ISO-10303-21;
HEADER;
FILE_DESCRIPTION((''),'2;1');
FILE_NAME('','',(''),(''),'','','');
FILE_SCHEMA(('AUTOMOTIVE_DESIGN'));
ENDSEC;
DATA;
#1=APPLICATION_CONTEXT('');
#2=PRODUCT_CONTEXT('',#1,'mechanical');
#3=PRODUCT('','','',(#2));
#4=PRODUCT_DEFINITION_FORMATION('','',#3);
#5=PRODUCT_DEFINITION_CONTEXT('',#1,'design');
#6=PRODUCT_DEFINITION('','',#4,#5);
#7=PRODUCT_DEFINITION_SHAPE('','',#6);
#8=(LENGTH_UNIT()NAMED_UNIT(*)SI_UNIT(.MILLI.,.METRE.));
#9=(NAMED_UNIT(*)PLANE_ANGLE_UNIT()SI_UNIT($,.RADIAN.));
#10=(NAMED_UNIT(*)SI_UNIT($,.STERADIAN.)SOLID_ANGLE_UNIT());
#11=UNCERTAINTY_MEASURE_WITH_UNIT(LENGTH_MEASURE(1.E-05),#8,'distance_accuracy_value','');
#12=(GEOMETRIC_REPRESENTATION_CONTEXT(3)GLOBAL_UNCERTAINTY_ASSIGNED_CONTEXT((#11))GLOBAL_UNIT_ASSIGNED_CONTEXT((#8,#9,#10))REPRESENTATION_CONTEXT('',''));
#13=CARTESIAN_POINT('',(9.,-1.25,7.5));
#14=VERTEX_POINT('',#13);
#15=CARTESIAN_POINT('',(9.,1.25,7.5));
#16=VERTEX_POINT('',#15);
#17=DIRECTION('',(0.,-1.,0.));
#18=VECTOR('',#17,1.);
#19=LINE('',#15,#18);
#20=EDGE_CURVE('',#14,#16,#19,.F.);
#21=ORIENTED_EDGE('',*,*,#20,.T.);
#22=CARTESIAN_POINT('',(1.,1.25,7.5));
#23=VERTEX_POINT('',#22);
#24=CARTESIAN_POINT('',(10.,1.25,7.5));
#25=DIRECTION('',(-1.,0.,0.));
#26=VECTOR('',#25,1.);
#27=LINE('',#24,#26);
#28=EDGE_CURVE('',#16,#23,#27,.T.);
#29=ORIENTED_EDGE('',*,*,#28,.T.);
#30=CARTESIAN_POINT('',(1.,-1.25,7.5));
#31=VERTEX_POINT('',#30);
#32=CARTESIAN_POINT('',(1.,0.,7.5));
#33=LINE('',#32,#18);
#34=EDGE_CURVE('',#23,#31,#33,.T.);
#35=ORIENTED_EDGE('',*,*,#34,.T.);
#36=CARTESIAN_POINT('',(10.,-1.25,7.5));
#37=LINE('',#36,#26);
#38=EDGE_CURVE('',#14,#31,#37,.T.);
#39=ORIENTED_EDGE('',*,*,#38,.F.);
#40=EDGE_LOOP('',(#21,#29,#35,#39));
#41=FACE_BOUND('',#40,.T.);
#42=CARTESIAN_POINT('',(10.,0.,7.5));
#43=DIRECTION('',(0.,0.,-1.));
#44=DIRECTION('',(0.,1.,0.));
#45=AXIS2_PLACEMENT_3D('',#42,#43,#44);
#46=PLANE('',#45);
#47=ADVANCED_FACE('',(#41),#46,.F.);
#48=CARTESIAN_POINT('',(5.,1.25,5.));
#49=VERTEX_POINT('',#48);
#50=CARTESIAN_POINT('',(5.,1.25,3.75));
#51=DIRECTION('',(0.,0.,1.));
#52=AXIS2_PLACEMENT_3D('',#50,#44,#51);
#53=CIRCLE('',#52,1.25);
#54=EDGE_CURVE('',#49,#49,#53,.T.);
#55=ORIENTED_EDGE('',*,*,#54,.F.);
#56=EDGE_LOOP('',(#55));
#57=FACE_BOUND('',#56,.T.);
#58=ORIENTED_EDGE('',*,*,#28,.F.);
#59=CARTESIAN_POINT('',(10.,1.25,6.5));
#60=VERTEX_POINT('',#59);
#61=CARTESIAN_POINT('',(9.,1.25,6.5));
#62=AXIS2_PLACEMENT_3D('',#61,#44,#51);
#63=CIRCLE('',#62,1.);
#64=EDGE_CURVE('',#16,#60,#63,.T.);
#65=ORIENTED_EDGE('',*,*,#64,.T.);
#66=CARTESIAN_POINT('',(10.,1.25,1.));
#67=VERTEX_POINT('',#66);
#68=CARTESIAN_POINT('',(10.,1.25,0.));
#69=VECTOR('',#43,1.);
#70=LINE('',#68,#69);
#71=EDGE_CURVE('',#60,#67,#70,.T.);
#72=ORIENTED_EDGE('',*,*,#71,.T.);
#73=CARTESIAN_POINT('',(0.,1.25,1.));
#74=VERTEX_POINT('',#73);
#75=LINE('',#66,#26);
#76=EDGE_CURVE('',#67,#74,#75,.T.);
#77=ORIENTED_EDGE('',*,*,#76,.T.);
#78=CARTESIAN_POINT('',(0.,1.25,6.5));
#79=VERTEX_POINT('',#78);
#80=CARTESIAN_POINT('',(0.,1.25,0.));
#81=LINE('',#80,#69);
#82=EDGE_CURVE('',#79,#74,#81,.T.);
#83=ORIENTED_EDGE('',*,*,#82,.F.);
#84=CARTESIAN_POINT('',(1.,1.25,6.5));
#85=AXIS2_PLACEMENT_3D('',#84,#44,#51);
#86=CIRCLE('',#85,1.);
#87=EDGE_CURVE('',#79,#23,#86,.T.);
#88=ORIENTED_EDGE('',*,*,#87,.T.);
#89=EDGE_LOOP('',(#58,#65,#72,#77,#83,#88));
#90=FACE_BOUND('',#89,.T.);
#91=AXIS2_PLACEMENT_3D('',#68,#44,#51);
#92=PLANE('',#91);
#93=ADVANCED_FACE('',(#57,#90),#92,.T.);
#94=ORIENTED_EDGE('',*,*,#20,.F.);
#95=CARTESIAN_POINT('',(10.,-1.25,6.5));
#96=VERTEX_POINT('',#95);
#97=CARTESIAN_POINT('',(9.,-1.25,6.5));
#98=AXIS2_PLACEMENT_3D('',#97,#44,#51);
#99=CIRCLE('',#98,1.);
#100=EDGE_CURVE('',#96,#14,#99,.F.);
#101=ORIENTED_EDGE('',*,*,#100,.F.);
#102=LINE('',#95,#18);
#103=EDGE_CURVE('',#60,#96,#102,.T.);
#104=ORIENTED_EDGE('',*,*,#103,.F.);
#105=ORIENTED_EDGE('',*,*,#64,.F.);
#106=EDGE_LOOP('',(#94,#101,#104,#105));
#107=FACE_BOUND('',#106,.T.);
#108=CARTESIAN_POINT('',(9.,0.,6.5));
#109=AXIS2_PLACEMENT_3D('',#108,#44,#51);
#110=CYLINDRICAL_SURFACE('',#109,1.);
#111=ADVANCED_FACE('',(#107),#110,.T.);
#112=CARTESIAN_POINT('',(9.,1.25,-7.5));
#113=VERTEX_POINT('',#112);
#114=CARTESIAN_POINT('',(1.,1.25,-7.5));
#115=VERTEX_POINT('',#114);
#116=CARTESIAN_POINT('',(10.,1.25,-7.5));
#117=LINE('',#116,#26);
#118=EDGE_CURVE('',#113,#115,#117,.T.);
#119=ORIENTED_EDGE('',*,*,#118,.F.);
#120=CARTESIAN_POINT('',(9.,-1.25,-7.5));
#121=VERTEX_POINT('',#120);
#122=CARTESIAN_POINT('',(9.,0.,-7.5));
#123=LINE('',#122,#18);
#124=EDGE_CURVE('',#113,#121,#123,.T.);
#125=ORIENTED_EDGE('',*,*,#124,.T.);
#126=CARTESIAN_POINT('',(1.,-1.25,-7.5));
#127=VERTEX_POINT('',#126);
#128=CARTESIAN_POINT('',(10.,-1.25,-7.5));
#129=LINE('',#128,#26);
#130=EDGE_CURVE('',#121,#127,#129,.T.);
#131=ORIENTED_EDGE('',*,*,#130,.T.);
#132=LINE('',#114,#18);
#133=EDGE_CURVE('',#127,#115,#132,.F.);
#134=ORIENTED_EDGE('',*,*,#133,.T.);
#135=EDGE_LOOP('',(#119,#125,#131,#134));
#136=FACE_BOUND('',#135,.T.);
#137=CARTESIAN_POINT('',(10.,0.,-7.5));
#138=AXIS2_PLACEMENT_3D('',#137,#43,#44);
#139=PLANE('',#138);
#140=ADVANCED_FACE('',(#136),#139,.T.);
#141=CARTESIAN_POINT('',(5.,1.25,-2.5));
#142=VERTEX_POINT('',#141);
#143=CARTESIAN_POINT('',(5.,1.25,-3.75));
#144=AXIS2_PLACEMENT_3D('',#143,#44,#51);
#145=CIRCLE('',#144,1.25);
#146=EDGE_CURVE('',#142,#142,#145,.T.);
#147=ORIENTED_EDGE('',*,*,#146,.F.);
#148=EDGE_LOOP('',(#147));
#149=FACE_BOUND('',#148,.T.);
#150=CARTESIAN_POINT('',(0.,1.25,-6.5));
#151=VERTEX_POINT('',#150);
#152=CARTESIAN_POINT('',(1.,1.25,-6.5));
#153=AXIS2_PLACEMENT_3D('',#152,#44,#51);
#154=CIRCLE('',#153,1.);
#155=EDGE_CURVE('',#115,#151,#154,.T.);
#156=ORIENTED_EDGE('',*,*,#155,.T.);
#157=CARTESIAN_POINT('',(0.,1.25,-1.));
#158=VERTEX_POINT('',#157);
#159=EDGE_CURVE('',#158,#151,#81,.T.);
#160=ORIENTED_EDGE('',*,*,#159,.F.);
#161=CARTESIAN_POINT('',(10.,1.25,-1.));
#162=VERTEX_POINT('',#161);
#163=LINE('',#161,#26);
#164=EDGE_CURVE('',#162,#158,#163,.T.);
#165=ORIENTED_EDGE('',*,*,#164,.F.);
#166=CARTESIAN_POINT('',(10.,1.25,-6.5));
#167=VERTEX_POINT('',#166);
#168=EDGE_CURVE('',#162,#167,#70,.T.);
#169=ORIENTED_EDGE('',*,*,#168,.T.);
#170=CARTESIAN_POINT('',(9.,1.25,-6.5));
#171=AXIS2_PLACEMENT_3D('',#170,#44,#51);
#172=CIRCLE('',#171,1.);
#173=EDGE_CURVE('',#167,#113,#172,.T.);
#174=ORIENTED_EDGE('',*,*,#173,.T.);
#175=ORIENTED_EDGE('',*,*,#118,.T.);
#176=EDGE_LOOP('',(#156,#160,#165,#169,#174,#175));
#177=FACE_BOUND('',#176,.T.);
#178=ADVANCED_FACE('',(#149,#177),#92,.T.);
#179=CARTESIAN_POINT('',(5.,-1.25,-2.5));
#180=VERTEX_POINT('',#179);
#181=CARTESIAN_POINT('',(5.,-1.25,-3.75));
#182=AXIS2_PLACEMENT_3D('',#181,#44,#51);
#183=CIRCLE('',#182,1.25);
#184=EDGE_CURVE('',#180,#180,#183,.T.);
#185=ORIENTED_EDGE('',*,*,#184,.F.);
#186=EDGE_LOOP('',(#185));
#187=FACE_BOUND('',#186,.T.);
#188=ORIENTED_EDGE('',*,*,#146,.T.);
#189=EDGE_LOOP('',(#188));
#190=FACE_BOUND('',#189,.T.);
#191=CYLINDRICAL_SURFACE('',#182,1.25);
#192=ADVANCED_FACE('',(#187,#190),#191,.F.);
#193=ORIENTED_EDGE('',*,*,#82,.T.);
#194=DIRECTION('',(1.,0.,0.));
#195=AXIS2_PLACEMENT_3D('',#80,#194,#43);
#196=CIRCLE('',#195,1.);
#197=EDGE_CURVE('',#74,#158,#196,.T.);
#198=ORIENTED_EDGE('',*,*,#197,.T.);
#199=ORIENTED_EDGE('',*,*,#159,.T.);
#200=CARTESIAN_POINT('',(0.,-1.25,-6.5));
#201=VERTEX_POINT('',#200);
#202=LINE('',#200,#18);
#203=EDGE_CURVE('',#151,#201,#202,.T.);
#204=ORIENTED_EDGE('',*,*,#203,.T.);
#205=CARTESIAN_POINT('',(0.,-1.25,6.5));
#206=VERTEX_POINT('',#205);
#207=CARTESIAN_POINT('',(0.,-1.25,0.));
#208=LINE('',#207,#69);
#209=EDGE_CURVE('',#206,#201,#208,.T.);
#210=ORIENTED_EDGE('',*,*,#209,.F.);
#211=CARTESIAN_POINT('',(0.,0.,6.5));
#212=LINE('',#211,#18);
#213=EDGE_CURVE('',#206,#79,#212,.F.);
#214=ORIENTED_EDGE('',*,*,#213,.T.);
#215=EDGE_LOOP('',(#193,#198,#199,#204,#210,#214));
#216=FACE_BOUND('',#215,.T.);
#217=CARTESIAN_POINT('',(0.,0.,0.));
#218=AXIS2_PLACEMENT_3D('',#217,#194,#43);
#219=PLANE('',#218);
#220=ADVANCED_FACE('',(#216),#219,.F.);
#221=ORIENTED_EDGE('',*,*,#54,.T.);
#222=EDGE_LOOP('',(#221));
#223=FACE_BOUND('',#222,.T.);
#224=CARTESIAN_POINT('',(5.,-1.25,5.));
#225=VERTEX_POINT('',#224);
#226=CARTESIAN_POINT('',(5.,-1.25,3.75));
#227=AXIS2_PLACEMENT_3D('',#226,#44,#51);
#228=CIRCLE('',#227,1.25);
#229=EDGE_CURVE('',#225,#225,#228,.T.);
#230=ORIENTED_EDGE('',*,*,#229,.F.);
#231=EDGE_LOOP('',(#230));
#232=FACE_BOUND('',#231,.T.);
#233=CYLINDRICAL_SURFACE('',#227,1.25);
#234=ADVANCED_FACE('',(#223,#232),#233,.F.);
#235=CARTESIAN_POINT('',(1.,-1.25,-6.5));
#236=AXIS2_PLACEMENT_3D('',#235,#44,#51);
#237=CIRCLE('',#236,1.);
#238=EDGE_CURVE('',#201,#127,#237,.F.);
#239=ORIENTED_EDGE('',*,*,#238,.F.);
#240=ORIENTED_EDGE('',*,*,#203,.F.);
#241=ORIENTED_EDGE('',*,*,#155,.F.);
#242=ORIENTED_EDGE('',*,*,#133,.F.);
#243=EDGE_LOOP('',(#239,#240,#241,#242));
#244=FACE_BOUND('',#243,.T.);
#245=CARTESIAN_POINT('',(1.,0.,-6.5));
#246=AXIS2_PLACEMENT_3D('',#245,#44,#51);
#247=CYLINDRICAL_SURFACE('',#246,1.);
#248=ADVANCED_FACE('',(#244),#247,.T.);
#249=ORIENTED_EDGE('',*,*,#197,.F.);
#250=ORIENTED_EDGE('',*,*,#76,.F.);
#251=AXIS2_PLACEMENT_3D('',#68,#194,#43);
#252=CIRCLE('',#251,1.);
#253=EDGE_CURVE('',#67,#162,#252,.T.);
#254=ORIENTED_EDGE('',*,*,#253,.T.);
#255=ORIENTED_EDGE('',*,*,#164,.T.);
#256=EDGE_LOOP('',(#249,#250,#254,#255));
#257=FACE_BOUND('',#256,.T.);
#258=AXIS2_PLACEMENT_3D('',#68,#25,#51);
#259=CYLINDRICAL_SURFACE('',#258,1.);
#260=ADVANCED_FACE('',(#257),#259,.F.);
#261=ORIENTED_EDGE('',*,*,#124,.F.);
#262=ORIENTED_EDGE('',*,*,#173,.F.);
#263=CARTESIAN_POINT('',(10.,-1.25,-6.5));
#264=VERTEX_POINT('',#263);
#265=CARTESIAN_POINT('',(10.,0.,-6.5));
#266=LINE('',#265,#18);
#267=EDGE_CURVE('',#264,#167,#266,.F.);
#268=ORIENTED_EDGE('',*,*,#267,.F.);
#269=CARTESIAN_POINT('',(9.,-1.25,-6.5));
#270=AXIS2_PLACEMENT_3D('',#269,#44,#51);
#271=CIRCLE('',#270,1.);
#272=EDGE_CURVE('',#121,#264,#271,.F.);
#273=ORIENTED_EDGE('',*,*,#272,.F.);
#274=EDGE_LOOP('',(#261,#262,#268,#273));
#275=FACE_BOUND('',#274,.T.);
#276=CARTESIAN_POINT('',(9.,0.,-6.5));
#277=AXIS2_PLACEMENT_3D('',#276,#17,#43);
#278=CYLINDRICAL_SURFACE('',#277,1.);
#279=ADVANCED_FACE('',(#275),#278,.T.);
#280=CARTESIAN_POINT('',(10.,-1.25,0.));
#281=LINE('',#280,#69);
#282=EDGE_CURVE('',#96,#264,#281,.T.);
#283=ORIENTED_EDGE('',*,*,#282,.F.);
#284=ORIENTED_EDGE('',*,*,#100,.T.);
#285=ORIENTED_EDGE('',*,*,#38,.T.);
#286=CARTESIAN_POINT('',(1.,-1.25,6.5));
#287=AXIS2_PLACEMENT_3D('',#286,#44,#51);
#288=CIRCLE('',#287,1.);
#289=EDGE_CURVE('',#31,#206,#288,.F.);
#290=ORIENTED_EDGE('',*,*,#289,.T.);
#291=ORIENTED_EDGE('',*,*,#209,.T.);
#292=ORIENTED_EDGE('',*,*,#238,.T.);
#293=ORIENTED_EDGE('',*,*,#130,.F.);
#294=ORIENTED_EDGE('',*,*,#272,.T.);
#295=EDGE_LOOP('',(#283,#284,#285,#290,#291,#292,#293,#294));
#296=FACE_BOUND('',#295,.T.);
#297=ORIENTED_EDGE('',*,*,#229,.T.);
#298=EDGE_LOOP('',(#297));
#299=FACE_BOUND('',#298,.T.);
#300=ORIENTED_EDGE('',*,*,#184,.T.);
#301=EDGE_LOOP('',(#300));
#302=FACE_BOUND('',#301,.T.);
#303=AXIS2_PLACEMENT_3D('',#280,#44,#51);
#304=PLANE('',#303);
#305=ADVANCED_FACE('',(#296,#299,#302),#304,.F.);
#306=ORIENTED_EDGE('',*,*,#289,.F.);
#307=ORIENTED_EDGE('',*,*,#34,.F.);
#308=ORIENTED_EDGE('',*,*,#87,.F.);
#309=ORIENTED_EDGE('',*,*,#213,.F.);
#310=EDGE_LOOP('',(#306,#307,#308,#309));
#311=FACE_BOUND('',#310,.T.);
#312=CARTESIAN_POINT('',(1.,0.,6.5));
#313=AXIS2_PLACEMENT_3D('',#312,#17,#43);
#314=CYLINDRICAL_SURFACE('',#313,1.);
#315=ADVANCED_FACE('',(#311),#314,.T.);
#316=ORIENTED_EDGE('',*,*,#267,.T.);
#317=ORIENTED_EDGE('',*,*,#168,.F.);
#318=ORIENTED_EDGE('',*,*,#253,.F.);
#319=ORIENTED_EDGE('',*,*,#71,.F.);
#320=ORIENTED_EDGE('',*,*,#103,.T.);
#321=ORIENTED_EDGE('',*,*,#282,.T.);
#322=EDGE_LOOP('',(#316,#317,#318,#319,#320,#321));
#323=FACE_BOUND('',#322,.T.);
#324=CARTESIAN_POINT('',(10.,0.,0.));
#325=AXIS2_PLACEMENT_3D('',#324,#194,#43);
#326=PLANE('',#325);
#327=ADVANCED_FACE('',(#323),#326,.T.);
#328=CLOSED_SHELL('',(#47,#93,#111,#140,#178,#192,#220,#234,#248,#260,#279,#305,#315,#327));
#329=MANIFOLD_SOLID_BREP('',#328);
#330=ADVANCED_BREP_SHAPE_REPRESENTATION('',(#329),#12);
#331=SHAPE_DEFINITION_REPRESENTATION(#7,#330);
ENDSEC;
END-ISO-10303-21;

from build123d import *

# Parameters (mm, degrees)
EXTRUDE_1_DEPTH     = 10
SKETCH_2_R          = 1.25
CUT_EXTRUDE_1_DEPTH = 13.747548784
FILLET_1_R          = 1


with BuildPart() as part:
    # 草图1 → 凸台-拉伸1 (new body)
    with BuildSketch(Plane(origin=(0, 0, 0), x_dir=(0, 0, -1), z_dir=(1, 0, 0))):
        with BuildLine():
            Line((7.5, 1.25), (1, 1.25))
            ThreePointArc((1, 1.25), (0, 0.25), (-1, 1.25))
            Line((-1, 1.25), (-7.5, 1.25))
            Line((-7.5, 1.25), (-7.5, -1.25))
            Line((-7.5, -1.25), (7.5, -1.25))
            Line((7.5, -1.25), (7.5, 1.25))
        make_face()
    extrude(amount=EXTRUDE_1_DEPTH)

    # 草图2 → 切除-拉伸1 (cut, through all)
    with BuildSketch(Plane(origin=(0, 1.25, 0), x_dir=(1, 0, 0), z_dir=(0, 1, 0))):
        with Locations(Location((5, 3.75, 0), (0, 0, 270))):
            Circle(SKETCH_2_R)
        with Locations(Location((5, -3.75, 0), (0, 0, 270))):
            Circle(SKETCH_2_R)
    extrude(amount=-CUT_EXTRUDE_1_DEPTH, mode=Mode.SUBTRACT)

    # 圆角1
    fillet_1_edges = [part.edges().sort_by_distance(p)[0] for p in [
        (10, 0, 7.5),
        (10, 0, -7.5),
        (0, 0, -7.5),
        (0, 0, 7.5),
    ]]
    fillet(fillet_1_edges, radius=FILLET_1_R)


solid = part.part
